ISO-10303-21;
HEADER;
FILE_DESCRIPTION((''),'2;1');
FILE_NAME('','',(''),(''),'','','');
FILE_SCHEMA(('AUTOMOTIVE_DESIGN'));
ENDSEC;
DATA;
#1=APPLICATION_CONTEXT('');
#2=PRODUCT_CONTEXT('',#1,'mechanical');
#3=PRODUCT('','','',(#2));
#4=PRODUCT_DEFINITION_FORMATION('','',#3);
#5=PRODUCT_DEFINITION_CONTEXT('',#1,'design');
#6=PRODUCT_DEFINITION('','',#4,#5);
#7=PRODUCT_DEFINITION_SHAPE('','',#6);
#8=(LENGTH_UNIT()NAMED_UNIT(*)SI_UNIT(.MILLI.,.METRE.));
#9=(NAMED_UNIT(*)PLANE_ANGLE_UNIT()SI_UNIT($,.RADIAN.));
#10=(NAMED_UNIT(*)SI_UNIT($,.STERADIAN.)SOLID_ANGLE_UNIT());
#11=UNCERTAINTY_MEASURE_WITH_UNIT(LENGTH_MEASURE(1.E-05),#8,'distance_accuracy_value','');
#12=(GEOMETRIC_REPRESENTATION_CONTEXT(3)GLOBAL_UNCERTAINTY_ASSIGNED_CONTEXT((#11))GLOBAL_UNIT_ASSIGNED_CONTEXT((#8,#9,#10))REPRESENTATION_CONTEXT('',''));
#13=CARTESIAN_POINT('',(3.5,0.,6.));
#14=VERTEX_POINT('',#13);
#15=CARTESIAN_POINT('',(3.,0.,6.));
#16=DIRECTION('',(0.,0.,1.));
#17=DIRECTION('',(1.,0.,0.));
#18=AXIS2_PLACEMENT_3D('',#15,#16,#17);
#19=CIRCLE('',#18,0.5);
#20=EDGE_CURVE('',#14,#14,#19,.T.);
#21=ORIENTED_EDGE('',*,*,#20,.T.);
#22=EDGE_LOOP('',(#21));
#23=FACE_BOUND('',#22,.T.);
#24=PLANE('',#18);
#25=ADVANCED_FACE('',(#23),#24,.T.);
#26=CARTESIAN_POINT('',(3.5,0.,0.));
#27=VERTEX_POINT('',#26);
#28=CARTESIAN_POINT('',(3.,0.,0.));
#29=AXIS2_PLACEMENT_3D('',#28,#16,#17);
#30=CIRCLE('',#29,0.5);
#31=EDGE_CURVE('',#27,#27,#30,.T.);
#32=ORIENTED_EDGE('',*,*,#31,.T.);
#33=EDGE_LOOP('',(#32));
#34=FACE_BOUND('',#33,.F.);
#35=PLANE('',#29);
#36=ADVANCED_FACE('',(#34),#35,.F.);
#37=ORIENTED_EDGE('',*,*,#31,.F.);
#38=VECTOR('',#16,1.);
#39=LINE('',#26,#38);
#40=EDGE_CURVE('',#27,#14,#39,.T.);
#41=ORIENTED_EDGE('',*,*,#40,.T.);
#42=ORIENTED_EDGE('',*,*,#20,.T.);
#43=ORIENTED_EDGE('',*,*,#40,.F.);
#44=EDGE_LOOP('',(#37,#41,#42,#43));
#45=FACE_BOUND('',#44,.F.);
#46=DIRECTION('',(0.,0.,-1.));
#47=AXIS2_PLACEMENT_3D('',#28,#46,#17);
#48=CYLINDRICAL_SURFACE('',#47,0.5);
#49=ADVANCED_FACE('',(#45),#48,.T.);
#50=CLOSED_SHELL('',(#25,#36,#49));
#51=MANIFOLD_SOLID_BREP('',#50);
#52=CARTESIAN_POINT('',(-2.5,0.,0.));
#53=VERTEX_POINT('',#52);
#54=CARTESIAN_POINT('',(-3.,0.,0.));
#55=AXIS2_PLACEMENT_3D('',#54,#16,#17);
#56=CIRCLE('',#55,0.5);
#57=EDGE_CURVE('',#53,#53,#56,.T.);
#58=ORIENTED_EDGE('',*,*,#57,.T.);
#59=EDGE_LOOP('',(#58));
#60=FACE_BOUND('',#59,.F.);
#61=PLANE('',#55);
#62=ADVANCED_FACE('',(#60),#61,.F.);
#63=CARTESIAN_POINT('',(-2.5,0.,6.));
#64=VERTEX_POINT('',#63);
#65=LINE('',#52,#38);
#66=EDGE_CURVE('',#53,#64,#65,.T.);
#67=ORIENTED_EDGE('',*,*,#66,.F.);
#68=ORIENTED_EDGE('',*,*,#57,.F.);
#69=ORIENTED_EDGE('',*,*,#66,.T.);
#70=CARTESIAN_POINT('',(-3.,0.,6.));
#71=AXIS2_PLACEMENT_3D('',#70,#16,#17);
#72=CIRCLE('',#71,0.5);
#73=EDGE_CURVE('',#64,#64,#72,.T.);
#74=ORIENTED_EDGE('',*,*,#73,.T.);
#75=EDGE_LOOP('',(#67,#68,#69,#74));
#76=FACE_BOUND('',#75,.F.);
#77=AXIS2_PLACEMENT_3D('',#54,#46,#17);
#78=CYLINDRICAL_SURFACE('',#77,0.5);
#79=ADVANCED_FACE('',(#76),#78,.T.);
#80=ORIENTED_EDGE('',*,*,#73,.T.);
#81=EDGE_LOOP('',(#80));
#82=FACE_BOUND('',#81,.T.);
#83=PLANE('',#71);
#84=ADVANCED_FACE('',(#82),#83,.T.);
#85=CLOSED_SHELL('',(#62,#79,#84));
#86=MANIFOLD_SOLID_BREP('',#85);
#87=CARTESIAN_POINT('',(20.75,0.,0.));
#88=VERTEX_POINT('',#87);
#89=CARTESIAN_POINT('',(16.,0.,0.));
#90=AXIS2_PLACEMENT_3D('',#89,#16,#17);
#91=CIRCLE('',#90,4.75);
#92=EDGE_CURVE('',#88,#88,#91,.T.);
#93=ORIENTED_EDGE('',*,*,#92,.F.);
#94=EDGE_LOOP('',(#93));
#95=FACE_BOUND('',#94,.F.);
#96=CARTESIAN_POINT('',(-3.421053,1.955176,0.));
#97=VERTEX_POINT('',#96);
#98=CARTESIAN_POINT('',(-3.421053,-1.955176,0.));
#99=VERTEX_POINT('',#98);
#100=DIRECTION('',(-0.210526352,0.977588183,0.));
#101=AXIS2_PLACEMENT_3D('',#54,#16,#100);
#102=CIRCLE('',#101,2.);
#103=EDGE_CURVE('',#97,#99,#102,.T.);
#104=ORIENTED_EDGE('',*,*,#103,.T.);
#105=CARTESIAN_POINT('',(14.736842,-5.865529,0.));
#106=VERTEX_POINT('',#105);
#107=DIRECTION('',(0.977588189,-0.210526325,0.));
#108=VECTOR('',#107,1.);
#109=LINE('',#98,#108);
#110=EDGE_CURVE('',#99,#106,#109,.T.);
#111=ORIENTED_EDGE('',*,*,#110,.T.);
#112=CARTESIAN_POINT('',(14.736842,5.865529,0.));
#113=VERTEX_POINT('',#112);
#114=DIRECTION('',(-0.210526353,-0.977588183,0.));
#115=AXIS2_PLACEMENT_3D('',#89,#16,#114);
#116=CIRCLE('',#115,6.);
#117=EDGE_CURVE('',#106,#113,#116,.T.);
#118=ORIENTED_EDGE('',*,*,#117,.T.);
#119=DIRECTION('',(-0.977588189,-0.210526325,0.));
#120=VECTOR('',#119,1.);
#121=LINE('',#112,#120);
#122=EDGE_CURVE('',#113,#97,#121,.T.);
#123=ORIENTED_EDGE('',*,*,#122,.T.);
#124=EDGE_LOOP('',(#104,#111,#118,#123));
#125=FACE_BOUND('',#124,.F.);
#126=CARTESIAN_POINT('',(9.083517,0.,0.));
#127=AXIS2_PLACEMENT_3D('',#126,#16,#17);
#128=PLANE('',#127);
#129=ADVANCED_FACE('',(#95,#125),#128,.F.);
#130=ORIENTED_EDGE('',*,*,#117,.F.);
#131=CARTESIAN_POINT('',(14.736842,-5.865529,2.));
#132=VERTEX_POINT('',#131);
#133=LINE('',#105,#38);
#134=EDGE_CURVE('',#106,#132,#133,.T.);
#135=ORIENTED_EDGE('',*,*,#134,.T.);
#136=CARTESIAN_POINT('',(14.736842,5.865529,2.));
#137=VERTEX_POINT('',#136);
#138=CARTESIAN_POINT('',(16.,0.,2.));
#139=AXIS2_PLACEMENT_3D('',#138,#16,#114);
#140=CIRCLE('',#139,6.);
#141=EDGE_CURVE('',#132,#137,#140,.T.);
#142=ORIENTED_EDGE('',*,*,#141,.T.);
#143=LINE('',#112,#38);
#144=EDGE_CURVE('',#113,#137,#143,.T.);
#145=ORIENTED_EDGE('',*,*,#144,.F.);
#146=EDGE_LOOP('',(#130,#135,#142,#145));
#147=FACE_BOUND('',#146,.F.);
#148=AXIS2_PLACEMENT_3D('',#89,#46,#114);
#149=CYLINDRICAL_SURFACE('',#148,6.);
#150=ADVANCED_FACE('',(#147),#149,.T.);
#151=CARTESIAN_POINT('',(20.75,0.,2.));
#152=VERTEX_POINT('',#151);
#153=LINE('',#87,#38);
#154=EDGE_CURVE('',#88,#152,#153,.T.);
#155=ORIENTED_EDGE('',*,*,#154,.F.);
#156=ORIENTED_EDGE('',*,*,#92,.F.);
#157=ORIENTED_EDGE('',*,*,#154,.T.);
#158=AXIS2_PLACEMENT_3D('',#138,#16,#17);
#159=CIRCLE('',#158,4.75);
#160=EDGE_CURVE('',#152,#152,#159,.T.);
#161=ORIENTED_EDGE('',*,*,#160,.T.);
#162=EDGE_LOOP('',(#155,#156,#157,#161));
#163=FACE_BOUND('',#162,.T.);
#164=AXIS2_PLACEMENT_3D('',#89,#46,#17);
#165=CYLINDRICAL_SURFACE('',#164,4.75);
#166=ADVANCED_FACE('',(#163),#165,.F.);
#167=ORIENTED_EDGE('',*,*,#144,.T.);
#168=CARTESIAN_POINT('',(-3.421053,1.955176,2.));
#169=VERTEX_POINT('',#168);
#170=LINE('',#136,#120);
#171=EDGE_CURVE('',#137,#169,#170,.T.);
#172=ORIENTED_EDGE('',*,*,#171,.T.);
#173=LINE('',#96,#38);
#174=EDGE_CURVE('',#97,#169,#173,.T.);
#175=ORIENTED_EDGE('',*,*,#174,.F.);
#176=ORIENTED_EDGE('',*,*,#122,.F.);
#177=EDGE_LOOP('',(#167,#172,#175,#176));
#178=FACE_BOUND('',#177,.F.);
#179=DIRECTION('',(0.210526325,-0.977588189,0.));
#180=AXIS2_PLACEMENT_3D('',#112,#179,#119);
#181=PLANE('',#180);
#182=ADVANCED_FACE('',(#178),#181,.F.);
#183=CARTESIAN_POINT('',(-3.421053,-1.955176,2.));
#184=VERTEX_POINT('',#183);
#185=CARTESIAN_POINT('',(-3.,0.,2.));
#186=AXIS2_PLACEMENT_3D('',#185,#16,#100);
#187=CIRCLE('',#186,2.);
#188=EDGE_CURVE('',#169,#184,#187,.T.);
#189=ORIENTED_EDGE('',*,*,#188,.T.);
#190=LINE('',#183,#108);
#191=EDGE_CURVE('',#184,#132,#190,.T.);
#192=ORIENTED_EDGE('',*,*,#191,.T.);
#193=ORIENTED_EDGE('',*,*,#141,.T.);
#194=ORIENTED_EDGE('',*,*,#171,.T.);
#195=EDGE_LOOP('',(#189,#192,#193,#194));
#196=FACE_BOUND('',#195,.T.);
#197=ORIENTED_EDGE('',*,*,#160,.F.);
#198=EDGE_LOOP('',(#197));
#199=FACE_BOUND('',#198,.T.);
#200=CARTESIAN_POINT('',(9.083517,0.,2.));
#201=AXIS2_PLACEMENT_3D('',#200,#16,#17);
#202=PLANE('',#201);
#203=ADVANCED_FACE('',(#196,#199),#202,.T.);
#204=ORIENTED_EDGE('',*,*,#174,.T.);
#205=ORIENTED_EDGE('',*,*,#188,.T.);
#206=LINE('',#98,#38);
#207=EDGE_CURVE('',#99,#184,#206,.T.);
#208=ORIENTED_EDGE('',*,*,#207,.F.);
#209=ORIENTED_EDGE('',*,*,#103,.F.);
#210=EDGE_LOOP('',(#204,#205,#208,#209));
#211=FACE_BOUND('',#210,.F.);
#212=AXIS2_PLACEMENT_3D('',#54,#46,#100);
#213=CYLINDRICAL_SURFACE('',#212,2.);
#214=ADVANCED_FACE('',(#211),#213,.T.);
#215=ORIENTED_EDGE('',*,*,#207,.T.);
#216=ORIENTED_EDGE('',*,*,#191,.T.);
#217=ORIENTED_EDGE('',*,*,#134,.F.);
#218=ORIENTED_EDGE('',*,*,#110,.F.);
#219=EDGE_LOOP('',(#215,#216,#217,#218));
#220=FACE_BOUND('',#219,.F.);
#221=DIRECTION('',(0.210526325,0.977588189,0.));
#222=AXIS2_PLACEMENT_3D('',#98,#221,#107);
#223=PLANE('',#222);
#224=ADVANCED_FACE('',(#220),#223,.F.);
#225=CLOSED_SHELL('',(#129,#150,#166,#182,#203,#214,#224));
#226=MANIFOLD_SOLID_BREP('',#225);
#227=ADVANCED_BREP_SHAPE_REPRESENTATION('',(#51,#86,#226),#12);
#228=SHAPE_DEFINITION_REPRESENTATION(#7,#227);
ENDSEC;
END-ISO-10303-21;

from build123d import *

# Parameters (mm, degrees)
F0_R     = 0.5
F1_DEPTH = 6
F2_R     = 4.75
F3_DEPTH = 2


with BuildPart() as f1:
    # F0 (on Top) → F1 (new body)
    with BuildSketch(Plane.XY):
        with Locations((3, 0)):
            Circle(F0_R)
        with Locations((-3, 0)):
            Circle(F0_R)
    extrude(amount=F1_DEPTH)


with BuildPart() as f3:
    # F2 (on Top) → F3 (new body)
    with BuildSketch(Plane.XY):
        with BuildLine():
            Line((-3.421053, -1.955176), (14.736842, -5.865529))
            ThreePointArc((14.736842, -5.865529), (22, 0), (14.736842, 5.865529))
            Line((14.736842, 5.865529), (-3.421053, 1.955176))
            ThreePointArc((-3.421053, 1.955176), (-5, 0), (-3.421053, -1.955176))
        make_face()
        with Locations((16, 0)):
            Circle(F2_R, mode=Mode.SUBTRACT)
    extrude(amount=F3_DEPTH)


solid = Compound([f1.part, f3.part])
